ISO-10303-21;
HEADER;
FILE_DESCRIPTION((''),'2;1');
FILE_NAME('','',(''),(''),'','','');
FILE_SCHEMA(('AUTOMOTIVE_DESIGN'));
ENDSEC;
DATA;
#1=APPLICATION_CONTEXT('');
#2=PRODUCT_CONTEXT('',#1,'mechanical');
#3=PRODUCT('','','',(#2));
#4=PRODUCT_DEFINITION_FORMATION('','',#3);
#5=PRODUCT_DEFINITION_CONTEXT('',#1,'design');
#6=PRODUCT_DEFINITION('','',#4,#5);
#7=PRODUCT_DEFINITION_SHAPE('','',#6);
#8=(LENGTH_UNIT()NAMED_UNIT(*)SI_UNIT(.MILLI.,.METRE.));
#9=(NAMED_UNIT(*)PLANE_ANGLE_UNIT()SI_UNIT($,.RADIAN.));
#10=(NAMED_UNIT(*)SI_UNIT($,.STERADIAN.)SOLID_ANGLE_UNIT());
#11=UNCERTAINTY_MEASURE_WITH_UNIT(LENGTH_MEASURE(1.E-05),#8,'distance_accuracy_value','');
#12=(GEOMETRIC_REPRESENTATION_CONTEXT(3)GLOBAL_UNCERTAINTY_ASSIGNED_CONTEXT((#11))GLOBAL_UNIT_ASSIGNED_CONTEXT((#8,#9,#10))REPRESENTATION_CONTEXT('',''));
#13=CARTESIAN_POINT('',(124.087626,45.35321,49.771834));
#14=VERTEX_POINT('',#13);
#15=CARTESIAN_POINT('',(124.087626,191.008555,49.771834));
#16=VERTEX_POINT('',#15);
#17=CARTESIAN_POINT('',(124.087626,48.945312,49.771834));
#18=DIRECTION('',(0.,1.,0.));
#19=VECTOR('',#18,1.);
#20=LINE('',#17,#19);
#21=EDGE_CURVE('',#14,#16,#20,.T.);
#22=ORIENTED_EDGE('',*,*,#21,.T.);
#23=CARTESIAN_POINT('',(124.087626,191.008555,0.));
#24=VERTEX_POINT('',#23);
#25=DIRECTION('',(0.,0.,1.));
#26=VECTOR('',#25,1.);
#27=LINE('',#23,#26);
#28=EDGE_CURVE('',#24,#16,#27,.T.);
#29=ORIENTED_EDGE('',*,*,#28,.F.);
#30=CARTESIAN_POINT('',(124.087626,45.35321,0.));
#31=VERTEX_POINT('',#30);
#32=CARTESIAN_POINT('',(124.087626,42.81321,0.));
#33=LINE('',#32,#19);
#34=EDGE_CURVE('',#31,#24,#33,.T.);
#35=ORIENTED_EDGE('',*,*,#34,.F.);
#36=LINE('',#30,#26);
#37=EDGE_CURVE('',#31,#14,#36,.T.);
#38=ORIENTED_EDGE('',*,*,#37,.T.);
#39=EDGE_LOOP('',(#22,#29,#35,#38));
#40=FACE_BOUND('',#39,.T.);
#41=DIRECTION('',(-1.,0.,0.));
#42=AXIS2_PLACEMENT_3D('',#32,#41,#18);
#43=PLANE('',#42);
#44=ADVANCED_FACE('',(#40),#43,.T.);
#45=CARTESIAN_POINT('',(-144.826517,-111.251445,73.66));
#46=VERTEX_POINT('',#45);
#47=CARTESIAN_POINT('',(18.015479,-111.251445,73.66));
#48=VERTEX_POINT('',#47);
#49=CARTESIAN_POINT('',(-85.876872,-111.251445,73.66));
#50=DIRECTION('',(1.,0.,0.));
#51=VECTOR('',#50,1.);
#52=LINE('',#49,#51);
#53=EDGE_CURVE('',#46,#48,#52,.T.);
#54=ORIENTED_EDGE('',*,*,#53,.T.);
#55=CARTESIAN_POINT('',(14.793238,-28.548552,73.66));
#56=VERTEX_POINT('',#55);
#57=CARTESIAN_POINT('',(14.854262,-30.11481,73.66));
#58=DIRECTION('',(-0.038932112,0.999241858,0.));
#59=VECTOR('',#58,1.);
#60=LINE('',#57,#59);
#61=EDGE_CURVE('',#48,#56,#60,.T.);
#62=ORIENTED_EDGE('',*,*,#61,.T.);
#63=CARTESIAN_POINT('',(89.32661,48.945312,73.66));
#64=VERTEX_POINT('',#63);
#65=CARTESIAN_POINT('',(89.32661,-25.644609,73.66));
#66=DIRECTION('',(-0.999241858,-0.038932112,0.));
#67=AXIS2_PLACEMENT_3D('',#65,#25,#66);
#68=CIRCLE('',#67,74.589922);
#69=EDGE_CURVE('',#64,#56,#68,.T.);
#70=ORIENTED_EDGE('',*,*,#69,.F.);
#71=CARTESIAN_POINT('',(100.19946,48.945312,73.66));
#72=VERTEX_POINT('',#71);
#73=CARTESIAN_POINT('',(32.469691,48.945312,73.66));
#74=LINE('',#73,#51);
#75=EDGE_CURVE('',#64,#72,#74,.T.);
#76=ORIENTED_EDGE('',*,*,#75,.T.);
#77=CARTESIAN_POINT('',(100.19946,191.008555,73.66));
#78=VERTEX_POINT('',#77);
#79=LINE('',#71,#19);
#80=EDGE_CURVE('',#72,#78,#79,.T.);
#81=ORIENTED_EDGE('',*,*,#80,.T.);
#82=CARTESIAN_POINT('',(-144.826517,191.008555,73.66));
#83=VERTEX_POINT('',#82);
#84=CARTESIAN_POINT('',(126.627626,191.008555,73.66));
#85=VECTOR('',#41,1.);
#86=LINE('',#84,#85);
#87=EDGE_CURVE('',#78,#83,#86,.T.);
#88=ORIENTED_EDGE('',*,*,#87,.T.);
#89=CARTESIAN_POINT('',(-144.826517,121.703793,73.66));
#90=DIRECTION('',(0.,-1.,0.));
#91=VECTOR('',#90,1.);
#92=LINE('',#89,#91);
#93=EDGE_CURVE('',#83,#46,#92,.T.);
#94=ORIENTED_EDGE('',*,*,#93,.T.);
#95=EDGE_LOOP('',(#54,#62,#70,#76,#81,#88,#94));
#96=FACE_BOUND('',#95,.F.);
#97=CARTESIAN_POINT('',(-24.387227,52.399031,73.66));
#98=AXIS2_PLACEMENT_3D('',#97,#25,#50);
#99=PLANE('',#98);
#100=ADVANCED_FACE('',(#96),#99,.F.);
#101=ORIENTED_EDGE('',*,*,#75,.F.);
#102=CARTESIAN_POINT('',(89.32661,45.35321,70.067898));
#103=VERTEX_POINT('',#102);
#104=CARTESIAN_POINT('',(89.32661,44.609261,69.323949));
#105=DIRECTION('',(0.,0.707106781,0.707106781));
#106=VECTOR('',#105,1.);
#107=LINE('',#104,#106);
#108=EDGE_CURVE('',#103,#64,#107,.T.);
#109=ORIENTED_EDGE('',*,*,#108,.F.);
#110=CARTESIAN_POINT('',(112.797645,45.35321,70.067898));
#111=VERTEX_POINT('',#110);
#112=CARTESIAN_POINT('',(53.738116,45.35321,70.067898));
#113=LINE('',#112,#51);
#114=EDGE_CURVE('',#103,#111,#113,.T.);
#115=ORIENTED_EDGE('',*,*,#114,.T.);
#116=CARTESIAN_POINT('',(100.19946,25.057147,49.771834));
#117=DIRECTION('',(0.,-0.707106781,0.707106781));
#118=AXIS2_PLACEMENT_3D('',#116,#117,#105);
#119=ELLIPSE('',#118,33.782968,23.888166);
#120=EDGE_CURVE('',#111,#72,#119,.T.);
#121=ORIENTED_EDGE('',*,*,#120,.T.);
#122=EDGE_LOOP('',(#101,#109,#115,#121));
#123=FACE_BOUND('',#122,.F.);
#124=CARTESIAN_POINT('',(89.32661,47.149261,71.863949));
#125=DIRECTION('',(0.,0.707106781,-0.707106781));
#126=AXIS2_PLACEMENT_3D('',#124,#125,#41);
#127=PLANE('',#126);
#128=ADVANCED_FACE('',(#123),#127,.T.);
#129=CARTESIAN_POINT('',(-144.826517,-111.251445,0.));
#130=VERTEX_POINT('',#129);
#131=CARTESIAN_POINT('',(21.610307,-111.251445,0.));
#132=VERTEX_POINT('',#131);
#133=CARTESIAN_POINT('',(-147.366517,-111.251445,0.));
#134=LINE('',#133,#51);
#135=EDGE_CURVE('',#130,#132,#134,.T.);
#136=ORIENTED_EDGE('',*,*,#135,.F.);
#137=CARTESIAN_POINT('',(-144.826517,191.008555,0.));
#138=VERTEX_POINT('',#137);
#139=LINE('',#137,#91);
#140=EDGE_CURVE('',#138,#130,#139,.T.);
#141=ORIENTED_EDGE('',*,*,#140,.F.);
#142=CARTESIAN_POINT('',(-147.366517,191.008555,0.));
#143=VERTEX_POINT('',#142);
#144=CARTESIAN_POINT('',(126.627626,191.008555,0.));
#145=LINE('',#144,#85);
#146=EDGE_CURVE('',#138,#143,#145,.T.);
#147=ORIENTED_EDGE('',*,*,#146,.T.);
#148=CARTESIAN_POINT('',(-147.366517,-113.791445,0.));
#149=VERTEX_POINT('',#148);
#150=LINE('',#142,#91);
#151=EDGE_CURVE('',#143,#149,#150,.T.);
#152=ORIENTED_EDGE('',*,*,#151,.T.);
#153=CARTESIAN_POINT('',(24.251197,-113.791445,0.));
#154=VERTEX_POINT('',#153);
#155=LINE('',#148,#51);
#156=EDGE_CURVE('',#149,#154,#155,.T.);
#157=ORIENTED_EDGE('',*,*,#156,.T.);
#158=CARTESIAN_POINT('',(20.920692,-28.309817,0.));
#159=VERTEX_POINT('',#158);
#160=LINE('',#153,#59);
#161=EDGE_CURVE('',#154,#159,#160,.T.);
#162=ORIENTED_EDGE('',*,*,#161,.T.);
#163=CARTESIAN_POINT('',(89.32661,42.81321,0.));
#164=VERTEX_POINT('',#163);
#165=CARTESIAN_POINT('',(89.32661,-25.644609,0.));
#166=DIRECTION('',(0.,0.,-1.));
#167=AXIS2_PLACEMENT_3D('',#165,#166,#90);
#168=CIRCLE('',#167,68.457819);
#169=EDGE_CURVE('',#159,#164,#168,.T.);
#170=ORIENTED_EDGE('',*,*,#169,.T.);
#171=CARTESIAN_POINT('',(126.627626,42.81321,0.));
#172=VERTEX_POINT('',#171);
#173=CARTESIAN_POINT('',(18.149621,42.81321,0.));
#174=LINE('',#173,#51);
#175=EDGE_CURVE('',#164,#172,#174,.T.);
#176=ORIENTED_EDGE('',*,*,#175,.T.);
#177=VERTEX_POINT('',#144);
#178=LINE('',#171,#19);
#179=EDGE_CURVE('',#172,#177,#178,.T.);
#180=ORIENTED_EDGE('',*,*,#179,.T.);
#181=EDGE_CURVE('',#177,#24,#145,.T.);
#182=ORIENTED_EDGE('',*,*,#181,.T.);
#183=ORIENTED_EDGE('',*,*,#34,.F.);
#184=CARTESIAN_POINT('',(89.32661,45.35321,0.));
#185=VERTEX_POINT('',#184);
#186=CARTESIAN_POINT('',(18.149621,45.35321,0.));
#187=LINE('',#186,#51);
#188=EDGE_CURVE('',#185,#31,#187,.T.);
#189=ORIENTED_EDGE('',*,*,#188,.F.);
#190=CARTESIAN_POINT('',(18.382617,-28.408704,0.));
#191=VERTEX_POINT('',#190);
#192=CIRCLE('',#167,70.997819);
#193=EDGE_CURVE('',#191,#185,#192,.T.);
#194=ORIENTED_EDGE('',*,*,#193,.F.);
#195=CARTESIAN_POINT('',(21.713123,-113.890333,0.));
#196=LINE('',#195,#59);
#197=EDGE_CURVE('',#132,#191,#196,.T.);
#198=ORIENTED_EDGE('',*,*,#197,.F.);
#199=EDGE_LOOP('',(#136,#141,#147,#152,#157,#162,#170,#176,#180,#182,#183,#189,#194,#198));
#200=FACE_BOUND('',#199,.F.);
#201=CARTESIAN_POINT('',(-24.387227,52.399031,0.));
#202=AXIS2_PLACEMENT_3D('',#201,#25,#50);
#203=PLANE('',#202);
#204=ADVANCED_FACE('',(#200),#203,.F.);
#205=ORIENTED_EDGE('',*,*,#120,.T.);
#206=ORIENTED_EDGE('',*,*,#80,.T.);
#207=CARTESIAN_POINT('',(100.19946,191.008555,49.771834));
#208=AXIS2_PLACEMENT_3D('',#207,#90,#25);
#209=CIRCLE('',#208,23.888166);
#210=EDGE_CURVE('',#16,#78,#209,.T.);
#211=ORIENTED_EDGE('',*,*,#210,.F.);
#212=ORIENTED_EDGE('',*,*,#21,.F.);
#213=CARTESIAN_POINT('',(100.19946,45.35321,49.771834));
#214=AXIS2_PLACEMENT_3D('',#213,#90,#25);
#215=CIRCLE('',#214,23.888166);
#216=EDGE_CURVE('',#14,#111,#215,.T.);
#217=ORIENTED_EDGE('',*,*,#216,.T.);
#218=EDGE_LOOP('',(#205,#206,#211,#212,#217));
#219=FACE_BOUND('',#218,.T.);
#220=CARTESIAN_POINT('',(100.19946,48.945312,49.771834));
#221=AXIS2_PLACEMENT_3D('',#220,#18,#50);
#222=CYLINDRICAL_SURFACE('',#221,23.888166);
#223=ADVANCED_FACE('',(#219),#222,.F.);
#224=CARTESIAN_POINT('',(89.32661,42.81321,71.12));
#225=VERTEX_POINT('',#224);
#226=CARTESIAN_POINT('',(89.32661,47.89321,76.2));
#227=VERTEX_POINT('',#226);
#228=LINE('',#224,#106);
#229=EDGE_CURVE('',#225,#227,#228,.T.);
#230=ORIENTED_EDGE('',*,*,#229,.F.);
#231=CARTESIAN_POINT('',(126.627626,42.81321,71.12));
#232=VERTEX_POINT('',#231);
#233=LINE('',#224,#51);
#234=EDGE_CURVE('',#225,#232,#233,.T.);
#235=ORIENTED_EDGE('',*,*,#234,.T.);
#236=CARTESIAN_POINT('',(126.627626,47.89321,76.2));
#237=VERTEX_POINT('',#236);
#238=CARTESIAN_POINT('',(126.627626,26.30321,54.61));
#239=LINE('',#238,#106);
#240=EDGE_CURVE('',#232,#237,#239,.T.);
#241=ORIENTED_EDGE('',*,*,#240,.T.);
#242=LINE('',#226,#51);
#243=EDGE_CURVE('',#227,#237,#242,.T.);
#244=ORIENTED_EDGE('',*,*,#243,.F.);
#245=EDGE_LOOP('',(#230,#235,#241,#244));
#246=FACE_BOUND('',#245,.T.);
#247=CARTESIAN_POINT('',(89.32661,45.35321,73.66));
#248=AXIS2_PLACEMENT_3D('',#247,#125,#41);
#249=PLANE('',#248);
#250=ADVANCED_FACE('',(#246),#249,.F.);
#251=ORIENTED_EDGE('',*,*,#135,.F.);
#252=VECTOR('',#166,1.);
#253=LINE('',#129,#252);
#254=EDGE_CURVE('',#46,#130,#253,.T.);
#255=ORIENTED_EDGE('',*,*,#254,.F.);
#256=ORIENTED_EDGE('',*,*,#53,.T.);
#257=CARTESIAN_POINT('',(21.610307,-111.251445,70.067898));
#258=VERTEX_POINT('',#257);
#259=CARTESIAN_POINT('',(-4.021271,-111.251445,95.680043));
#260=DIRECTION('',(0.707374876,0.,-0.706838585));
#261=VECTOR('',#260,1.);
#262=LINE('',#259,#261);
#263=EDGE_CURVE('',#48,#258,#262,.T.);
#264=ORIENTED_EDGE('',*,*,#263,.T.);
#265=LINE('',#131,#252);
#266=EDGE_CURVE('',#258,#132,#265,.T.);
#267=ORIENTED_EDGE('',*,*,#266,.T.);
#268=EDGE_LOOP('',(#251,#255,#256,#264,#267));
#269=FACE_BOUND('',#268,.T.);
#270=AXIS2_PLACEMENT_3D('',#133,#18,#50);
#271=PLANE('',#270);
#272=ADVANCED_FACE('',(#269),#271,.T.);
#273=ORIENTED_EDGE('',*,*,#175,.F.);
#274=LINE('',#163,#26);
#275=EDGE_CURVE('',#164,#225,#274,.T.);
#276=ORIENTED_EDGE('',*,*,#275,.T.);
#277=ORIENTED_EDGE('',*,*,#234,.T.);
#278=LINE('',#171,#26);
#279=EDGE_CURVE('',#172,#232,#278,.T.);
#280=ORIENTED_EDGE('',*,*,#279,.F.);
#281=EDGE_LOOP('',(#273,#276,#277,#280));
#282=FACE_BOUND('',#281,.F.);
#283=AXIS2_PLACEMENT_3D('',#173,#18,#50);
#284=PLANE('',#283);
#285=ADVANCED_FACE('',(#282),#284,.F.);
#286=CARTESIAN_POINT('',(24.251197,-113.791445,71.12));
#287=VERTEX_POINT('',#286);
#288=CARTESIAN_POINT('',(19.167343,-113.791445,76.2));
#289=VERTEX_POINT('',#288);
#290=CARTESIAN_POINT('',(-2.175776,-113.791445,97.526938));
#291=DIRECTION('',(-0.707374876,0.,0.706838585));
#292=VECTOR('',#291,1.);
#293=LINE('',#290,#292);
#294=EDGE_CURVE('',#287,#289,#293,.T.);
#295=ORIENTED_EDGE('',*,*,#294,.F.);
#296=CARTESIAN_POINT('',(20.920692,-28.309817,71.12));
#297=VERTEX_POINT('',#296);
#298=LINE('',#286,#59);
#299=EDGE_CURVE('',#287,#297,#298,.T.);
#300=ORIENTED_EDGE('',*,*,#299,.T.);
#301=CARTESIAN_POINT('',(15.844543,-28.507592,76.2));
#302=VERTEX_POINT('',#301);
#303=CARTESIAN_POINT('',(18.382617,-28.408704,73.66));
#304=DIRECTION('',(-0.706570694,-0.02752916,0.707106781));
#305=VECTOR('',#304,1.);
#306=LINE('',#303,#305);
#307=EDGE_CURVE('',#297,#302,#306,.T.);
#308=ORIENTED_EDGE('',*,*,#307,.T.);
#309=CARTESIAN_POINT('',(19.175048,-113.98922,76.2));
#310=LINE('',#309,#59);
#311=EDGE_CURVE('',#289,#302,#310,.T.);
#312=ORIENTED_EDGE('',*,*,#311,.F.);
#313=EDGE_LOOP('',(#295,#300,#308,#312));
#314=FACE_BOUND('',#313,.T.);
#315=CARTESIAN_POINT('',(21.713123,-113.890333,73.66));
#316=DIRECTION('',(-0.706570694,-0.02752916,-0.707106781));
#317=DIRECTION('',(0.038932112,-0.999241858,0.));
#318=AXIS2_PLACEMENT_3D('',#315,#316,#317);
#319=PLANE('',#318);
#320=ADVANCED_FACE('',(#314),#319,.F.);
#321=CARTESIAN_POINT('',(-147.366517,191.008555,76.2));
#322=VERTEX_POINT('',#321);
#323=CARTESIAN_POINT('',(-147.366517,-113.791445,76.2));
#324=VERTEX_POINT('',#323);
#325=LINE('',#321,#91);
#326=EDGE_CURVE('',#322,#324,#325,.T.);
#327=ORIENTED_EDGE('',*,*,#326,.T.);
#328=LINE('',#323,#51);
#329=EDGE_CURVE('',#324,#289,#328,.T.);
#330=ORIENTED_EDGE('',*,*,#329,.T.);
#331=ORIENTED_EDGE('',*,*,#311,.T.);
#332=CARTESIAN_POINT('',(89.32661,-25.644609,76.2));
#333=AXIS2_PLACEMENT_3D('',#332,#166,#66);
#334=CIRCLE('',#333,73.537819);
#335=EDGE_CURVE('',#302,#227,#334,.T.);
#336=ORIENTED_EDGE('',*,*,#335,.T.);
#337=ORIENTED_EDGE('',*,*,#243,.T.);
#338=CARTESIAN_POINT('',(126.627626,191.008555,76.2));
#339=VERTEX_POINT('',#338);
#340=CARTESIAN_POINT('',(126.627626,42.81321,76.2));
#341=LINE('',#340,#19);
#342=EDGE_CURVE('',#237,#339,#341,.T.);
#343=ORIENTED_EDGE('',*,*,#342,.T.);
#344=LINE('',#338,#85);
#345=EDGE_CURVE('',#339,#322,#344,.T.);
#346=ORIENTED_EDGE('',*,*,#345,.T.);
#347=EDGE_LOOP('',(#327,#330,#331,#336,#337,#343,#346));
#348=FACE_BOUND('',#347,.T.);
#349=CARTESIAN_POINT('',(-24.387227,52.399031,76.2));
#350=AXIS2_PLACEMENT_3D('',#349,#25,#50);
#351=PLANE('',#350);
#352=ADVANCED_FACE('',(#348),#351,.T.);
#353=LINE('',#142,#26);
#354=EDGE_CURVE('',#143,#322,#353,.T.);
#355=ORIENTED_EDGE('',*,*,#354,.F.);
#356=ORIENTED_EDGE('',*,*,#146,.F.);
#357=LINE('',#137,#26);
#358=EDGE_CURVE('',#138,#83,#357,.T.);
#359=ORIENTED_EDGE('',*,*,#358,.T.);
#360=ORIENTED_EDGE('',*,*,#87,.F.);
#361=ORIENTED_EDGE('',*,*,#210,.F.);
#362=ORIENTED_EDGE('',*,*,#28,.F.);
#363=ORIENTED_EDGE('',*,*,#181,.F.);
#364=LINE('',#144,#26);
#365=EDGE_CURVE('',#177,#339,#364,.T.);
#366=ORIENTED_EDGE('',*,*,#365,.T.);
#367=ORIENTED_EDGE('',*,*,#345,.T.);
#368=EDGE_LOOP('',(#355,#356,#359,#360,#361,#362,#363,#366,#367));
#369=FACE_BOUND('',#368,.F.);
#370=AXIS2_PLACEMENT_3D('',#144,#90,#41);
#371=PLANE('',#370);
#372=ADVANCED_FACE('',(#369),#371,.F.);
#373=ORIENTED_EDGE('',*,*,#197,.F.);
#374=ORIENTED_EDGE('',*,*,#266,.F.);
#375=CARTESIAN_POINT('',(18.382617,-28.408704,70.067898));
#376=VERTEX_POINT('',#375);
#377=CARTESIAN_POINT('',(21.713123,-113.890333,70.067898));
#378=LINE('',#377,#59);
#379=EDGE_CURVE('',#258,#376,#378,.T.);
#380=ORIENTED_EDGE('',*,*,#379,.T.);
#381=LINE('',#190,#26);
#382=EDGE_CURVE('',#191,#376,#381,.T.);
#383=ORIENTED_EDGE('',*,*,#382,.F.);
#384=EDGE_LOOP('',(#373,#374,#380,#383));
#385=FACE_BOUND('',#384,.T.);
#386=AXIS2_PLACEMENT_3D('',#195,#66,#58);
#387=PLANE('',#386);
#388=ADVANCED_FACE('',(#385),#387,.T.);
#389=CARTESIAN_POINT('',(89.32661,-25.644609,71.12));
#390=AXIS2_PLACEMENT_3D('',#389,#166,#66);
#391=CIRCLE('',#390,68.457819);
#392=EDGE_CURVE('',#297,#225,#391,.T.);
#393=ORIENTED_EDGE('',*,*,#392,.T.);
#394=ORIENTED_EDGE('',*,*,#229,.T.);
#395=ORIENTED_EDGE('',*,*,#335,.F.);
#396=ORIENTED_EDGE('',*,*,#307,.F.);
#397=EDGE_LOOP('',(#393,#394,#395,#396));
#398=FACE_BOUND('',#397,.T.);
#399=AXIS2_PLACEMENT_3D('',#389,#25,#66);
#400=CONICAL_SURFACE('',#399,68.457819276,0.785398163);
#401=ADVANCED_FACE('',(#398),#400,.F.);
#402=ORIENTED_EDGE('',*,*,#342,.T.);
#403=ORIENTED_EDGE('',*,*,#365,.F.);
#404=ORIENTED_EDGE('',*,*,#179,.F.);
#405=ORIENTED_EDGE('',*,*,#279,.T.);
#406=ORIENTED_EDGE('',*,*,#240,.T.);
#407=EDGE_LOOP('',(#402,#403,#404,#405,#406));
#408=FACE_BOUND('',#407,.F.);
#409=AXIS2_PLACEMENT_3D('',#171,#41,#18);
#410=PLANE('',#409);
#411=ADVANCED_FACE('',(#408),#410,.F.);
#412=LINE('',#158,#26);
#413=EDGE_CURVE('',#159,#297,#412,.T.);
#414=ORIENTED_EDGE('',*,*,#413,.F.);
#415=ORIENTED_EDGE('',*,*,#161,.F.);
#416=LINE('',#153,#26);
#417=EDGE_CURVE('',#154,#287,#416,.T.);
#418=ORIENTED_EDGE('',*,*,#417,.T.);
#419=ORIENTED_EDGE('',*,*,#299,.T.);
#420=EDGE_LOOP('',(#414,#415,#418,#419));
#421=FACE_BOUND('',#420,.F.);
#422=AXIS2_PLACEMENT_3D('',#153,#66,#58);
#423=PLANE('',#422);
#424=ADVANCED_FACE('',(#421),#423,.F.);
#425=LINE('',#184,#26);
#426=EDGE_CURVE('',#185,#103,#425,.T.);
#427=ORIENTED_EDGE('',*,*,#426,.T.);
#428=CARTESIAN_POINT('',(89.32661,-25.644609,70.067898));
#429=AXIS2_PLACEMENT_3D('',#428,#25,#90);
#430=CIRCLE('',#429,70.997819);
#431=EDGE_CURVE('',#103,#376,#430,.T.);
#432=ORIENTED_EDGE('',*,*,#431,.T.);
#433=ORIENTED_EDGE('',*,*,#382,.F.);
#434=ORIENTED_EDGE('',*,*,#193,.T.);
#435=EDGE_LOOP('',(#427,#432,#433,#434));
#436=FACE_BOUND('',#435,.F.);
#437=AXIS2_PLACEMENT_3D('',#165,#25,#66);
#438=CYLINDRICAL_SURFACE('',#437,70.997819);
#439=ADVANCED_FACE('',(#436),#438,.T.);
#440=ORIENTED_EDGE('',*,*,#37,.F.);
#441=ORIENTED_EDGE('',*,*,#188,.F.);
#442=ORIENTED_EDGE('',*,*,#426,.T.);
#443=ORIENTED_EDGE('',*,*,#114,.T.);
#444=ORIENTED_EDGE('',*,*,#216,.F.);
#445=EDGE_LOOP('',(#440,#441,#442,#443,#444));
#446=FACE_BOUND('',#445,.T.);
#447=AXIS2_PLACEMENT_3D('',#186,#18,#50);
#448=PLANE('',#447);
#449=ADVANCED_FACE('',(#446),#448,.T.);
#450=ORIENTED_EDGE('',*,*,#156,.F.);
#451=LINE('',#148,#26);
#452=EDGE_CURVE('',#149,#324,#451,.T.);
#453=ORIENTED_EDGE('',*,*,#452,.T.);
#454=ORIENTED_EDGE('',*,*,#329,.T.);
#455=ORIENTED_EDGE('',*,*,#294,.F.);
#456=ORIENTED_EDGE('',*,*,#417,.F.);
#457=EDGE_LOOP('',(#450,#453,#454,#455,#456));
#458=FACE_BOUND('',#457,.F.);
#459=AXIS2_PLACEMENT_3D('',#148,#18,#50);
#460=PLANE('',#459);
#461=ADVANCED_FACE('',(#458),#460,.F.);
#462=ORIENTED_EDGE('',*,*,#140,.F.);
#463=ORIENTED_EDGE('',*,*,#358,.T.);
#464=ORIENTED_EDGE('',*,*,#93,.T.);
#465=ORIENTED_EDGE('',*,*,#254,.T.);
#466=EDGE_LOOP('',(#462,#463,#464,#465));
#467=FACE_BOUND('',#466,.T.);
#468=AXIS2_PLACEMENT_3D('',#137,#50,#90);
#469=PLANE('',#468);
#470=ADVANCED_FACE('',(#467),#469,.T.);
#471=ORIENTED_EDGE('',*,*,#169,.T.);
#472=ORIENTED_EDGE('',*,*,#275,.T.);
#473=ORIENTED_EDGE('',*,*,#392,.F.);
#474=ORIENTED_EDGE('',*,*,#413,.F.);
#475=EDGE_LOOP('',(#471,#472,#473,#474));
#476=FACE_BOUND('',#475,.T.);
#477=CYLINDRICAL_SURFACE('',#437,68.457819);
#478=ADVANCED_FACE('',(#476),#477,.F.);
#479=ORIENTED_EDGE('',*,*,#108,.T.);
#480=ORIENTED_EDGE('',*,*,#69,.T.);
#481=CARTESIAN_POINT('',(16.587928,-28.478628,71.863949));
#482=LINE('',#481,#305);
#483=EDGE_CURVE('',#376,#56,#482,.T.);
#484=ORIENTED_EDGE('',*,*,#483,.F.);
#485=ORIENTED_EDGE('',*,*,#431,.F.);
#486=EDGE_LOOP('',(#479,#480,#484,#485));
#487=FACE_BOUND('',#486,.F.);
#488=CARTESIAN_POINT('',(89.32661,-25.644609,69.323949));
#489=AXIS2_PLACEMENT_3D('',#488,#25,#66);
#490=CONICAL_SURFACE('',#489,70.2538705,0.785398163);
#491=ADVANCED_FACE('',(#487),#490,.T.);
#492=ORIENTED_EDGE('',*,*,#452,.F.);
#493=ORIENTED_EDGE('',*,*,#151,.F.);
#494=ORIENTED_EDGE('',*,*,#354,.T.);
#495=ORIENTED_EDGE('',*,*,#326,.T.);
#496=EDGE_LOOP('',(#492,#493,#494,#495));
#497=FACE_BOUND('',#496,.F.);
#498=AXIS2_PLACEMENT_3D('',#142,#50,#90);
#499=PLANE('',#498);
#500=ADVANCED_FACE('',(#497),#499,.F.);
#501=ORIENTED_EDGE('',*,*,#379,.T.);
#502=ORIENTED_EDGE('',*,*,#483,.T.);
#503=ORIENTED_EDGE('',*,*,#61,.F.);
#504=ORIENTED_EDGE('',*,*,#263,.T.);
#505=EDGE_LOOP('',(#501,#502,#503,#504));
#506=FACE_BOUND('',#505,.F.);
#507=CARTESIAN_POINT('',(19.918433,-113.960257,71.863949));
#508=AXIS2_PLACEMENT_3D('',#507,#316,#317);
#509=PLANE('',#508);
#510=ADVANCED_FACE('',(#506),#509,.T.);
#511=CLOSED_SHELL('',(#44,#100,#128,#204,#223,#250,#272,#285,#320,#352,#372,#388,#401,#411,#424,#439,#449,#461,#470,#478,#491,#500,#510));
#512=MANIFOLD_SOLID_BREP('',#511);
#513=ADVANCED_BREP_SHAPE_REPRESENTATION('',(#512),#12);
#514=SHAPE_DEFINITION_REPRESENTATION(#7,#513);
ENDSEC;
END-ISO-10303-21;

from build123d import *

# Parameters (mm, degrees)
F1_DEPTH = 76.2
F2_R     = 68.4578192755
F3_SIZE  = 5.08
F4_T     = -2.54
F5_R     = 23.8881657529


with BuildPart() as f1:
    # F0 (on Top) → F1 (new body)
    with BuildSketch(Plane.XY):
        Polygon((-147.3665168505, 191.0085547507), (-147.3665168505, -113.7914452493), (24.251197043, -113.7914452493), (18.1496212227, 42.8132099656), (126.6276255479, 42.8132099656), (126.6276255479, 191.0085547507), align=None)
    extrude(amount=F1_DEPTH)

    # F2
    f2_edges = [f1.edges().sort_by_distance(p)[0] for p in [
        (18.149621, 42.81321, 38.1),
    ]]
    fillet(f2_edges, radius=F2_R)

    # F3
    f3_edges = [f1.edges().sort_by_distance(p)[0] for p in [
        (22.585944, -71.050631, 76.2),
    ]]
    chamfer(f3_edges, length=F3_SIZE)

    # F4
    f4_openings = [f1.faces().sort_by_distance(p)[0] for p in [
        (-30.069357, 56.198689, 0),
        (-10.369446, 191.008555, 38.1),
    ]]
    offset(amount=F4_T, openings=f4_openings)

    # F5
    f5_edges = [f1.edges().sort_by_distance(p)[0] for p in [
        (124.087626, 119.976934, 73.66),
    ]]
    fillet(f5_edges, radius=F5_R)


solid = f1.part
